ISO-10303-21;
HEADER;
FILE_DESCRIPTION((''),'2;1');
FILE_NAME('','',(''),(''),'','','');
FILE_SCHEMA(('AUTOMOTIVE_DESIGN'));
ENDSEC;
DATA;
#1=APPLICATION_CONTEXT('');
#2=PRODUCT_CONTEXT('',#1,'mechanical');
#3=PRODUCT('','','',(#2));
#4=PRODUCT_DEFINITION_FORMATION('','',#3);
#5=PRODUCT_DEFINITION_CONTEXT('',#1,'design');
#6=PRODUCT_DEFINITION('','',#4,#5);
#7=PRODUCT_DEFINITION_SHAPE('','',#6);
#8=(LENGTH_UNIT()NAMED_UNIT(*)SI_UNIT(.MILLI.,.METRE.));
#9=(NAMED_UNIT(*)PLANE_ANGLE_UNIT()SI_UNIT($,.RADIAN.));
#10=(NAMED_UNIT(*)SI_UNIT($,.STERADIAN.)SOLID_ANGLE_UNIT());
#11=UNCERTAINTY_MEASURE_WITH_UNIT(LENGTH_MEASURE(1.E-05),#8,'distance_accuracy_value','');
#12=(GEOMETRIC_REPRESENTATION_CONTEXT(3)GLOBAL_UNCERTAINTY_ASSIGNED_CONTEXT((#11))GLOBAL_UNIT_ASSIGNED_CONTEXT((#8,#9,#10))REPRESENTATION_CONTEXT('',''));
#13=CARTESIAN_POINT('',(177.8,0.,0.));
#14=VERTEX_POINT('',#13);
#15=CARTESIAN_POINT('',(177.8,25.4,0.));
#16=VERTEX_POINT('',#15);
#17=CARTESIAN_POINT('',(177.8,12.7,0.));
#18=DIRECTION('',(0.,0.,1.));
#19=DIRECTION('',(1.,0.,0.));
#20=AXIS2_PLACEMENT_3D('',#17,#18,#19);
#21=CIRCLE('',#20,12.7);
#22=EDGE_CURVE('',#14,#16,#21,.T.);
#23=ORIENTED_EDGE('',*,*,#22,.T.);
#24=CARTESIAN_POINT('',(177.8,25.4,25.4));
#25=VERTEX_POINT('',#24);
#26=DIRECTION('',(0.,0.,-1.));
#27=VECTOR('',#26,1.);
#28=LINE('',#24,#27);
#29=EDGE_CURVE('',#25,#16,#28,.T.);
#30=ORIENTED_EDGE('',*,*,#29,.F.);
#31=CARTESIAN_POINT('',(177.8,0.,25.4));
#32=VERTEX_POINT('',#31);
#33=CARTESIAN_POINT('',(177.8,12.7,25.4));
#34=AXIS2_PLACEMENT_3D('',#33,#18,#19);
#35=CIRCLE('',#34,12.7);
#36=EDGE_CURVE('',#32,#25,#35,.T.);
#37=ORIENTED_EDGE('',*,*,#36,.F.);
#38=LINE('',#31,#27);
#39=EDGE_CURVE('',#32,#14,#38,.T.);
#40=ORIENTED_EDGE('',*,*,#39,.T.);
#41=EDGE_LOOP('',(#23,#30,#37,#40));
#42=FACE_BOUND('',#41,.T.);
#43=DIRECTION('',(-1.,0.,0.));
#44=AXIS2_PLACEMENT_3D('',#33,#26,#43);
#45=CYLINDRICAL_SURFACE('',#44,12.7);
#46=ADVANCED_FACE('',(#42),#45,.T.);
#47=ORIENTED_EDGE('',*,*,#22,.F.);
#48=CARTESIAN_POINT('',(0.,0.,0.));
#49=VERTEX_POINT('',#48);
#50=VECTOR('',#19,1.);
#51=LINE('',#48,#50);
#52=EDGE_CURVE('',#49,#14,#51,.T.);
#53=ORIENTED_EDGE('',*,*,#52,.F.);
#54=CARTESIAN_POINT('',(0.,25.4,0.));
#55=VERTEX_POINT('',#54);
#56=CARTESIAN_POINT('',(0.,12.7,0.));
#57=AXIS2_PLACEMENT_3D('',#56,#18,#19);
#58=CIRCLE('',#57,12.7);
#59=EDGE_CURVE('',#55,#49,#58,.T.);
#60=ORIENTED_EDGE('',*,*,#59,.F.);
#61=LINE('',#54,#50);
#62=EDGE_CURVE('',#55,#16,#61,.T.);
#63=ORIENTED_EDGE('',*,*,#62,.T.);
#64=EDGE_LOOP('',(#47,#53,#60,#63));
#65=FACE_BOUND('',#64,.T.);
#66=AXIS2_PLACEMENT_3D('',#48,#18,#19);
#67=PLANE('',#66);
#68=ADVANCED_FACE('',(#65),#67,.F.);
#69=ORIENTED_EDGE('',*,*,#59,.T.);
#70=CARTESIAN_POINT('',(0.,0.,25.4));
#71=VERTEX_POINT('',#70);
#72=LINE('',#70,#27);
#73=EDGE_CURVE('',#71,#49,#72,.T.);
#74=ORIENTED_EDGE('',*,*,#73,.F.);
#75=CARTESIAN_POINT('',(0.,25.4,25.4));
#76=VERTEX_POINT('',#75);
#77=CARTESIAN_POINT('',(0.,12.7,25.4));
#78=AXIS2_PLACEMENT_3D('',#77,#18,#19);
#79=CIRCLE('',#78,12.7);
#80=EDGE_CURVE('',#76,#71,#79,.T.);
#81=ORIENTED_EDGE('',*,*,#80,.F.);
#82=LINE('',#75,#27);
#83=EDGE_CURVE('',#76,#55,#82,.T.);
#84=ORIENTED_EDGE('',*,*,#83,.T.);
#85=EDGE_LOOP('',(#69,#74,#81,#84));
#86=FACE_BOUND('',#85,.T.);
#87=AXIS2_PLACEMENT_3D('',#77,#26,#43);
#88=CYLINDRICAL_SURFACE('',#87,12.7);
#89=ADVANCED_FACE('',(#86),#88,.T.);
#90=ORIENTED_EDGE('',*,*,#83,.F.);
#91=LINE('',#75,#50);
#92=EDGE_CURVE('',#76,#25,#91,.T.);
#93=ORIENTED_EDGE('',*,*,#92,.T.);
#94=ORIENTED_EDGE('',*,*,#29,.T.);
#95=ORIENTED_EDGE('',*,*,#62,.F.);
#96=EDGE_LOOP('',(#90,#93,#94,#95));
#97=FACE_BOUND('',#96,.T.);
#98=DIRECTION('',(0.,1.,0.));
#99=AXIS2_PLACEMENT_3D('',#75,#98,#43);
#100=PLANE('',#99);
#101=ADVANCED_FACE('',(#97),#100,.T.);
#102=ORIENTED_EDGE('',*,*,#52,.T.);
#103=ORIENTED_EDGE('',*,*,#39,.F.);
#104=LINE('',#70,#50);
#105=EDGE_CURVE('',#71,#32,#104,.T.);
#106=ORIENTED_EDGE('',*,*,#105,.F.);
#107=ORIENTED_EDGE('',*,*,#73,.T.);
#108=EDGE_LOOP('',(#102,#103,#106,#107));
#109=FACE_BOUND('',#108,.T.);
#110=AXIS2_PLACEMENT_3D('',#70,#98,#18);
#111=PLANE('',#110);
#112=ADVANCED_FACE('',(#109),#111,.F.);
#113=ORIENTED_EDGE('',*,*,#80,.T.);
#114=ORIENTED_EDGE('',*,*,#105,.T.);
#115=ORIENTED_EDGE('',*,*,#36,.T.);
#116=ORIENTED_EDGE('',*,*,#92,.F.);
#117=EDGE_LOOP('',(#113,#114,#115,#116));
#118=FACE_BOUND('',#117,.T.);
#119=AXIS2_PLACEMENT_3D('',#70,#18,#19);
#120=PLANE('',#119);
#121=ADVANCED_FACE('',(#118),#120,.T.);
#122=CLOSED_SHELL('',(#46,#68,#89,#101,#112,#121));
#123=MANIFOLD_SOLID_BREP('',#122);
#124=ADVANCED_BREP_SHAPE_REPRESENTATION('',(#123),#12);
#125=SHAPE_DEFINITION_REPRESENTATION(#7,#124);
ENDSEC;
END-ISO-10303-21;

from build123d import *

# Parameters (mm, degrees)
BOSS_EXTRUDE1_DEPTH = 25.4


with BuildPart() as part:
    # Sketch1 → Boss-Extrude1 (new body)
    with BuildSketch(Plane.XY):
        with BuildLine():
            ThreePointArc((0, 25.4), (-12.7, 12.7), (0, 0))
            Line((0, 0), (0, 25.4))
        make_face()
        with BuildLine():
            Line((0, 25.4), (0, 0))
            ThreePointArc((0, 0), (8.980256121, 3.719743879), (12.7, 12.7))
            ThreePointArc((12.7, 12.7), (8.980256121, 21.680256121), (0, 25.4))
        make_face()
        with BuildLine():
            ThreePointArc((12.7, 12.7), (8.980256121, 3.719743879), (0, 0))
            Line((0, 0), (177.8, 0))
            ThreePointArc((177.8, 0), (165.1, 12.7), (177.8, 25.4))
            Line((177.8, 25.4), (0, 25.4))
            ThreePointArc((0, 25.4), (8.980256121, 21.680256121), (12.7, 12.7))
        make_face()
        with BuildLine():
            ThreePointArc((177.8, 25.4), (165.1, 12.7), (177.8, 0))
            Line((177.8, 0), (177.8, 25.4))
        make_face()
        with BuildLine():
            Line((177.8, 25.4), (177.8, 0))
            ThreePointArc((177.8, 0), (186.780256121, 3.719743879), (190.5, 12.7))
            ThreePointArc((190.5, 12.7), (186.780256121, 21.680256121), (177.8, 25.4))
        make_face()
    extrude(amount=BOSS_EXTRUDE1_DEPTH)


solid = part.part
